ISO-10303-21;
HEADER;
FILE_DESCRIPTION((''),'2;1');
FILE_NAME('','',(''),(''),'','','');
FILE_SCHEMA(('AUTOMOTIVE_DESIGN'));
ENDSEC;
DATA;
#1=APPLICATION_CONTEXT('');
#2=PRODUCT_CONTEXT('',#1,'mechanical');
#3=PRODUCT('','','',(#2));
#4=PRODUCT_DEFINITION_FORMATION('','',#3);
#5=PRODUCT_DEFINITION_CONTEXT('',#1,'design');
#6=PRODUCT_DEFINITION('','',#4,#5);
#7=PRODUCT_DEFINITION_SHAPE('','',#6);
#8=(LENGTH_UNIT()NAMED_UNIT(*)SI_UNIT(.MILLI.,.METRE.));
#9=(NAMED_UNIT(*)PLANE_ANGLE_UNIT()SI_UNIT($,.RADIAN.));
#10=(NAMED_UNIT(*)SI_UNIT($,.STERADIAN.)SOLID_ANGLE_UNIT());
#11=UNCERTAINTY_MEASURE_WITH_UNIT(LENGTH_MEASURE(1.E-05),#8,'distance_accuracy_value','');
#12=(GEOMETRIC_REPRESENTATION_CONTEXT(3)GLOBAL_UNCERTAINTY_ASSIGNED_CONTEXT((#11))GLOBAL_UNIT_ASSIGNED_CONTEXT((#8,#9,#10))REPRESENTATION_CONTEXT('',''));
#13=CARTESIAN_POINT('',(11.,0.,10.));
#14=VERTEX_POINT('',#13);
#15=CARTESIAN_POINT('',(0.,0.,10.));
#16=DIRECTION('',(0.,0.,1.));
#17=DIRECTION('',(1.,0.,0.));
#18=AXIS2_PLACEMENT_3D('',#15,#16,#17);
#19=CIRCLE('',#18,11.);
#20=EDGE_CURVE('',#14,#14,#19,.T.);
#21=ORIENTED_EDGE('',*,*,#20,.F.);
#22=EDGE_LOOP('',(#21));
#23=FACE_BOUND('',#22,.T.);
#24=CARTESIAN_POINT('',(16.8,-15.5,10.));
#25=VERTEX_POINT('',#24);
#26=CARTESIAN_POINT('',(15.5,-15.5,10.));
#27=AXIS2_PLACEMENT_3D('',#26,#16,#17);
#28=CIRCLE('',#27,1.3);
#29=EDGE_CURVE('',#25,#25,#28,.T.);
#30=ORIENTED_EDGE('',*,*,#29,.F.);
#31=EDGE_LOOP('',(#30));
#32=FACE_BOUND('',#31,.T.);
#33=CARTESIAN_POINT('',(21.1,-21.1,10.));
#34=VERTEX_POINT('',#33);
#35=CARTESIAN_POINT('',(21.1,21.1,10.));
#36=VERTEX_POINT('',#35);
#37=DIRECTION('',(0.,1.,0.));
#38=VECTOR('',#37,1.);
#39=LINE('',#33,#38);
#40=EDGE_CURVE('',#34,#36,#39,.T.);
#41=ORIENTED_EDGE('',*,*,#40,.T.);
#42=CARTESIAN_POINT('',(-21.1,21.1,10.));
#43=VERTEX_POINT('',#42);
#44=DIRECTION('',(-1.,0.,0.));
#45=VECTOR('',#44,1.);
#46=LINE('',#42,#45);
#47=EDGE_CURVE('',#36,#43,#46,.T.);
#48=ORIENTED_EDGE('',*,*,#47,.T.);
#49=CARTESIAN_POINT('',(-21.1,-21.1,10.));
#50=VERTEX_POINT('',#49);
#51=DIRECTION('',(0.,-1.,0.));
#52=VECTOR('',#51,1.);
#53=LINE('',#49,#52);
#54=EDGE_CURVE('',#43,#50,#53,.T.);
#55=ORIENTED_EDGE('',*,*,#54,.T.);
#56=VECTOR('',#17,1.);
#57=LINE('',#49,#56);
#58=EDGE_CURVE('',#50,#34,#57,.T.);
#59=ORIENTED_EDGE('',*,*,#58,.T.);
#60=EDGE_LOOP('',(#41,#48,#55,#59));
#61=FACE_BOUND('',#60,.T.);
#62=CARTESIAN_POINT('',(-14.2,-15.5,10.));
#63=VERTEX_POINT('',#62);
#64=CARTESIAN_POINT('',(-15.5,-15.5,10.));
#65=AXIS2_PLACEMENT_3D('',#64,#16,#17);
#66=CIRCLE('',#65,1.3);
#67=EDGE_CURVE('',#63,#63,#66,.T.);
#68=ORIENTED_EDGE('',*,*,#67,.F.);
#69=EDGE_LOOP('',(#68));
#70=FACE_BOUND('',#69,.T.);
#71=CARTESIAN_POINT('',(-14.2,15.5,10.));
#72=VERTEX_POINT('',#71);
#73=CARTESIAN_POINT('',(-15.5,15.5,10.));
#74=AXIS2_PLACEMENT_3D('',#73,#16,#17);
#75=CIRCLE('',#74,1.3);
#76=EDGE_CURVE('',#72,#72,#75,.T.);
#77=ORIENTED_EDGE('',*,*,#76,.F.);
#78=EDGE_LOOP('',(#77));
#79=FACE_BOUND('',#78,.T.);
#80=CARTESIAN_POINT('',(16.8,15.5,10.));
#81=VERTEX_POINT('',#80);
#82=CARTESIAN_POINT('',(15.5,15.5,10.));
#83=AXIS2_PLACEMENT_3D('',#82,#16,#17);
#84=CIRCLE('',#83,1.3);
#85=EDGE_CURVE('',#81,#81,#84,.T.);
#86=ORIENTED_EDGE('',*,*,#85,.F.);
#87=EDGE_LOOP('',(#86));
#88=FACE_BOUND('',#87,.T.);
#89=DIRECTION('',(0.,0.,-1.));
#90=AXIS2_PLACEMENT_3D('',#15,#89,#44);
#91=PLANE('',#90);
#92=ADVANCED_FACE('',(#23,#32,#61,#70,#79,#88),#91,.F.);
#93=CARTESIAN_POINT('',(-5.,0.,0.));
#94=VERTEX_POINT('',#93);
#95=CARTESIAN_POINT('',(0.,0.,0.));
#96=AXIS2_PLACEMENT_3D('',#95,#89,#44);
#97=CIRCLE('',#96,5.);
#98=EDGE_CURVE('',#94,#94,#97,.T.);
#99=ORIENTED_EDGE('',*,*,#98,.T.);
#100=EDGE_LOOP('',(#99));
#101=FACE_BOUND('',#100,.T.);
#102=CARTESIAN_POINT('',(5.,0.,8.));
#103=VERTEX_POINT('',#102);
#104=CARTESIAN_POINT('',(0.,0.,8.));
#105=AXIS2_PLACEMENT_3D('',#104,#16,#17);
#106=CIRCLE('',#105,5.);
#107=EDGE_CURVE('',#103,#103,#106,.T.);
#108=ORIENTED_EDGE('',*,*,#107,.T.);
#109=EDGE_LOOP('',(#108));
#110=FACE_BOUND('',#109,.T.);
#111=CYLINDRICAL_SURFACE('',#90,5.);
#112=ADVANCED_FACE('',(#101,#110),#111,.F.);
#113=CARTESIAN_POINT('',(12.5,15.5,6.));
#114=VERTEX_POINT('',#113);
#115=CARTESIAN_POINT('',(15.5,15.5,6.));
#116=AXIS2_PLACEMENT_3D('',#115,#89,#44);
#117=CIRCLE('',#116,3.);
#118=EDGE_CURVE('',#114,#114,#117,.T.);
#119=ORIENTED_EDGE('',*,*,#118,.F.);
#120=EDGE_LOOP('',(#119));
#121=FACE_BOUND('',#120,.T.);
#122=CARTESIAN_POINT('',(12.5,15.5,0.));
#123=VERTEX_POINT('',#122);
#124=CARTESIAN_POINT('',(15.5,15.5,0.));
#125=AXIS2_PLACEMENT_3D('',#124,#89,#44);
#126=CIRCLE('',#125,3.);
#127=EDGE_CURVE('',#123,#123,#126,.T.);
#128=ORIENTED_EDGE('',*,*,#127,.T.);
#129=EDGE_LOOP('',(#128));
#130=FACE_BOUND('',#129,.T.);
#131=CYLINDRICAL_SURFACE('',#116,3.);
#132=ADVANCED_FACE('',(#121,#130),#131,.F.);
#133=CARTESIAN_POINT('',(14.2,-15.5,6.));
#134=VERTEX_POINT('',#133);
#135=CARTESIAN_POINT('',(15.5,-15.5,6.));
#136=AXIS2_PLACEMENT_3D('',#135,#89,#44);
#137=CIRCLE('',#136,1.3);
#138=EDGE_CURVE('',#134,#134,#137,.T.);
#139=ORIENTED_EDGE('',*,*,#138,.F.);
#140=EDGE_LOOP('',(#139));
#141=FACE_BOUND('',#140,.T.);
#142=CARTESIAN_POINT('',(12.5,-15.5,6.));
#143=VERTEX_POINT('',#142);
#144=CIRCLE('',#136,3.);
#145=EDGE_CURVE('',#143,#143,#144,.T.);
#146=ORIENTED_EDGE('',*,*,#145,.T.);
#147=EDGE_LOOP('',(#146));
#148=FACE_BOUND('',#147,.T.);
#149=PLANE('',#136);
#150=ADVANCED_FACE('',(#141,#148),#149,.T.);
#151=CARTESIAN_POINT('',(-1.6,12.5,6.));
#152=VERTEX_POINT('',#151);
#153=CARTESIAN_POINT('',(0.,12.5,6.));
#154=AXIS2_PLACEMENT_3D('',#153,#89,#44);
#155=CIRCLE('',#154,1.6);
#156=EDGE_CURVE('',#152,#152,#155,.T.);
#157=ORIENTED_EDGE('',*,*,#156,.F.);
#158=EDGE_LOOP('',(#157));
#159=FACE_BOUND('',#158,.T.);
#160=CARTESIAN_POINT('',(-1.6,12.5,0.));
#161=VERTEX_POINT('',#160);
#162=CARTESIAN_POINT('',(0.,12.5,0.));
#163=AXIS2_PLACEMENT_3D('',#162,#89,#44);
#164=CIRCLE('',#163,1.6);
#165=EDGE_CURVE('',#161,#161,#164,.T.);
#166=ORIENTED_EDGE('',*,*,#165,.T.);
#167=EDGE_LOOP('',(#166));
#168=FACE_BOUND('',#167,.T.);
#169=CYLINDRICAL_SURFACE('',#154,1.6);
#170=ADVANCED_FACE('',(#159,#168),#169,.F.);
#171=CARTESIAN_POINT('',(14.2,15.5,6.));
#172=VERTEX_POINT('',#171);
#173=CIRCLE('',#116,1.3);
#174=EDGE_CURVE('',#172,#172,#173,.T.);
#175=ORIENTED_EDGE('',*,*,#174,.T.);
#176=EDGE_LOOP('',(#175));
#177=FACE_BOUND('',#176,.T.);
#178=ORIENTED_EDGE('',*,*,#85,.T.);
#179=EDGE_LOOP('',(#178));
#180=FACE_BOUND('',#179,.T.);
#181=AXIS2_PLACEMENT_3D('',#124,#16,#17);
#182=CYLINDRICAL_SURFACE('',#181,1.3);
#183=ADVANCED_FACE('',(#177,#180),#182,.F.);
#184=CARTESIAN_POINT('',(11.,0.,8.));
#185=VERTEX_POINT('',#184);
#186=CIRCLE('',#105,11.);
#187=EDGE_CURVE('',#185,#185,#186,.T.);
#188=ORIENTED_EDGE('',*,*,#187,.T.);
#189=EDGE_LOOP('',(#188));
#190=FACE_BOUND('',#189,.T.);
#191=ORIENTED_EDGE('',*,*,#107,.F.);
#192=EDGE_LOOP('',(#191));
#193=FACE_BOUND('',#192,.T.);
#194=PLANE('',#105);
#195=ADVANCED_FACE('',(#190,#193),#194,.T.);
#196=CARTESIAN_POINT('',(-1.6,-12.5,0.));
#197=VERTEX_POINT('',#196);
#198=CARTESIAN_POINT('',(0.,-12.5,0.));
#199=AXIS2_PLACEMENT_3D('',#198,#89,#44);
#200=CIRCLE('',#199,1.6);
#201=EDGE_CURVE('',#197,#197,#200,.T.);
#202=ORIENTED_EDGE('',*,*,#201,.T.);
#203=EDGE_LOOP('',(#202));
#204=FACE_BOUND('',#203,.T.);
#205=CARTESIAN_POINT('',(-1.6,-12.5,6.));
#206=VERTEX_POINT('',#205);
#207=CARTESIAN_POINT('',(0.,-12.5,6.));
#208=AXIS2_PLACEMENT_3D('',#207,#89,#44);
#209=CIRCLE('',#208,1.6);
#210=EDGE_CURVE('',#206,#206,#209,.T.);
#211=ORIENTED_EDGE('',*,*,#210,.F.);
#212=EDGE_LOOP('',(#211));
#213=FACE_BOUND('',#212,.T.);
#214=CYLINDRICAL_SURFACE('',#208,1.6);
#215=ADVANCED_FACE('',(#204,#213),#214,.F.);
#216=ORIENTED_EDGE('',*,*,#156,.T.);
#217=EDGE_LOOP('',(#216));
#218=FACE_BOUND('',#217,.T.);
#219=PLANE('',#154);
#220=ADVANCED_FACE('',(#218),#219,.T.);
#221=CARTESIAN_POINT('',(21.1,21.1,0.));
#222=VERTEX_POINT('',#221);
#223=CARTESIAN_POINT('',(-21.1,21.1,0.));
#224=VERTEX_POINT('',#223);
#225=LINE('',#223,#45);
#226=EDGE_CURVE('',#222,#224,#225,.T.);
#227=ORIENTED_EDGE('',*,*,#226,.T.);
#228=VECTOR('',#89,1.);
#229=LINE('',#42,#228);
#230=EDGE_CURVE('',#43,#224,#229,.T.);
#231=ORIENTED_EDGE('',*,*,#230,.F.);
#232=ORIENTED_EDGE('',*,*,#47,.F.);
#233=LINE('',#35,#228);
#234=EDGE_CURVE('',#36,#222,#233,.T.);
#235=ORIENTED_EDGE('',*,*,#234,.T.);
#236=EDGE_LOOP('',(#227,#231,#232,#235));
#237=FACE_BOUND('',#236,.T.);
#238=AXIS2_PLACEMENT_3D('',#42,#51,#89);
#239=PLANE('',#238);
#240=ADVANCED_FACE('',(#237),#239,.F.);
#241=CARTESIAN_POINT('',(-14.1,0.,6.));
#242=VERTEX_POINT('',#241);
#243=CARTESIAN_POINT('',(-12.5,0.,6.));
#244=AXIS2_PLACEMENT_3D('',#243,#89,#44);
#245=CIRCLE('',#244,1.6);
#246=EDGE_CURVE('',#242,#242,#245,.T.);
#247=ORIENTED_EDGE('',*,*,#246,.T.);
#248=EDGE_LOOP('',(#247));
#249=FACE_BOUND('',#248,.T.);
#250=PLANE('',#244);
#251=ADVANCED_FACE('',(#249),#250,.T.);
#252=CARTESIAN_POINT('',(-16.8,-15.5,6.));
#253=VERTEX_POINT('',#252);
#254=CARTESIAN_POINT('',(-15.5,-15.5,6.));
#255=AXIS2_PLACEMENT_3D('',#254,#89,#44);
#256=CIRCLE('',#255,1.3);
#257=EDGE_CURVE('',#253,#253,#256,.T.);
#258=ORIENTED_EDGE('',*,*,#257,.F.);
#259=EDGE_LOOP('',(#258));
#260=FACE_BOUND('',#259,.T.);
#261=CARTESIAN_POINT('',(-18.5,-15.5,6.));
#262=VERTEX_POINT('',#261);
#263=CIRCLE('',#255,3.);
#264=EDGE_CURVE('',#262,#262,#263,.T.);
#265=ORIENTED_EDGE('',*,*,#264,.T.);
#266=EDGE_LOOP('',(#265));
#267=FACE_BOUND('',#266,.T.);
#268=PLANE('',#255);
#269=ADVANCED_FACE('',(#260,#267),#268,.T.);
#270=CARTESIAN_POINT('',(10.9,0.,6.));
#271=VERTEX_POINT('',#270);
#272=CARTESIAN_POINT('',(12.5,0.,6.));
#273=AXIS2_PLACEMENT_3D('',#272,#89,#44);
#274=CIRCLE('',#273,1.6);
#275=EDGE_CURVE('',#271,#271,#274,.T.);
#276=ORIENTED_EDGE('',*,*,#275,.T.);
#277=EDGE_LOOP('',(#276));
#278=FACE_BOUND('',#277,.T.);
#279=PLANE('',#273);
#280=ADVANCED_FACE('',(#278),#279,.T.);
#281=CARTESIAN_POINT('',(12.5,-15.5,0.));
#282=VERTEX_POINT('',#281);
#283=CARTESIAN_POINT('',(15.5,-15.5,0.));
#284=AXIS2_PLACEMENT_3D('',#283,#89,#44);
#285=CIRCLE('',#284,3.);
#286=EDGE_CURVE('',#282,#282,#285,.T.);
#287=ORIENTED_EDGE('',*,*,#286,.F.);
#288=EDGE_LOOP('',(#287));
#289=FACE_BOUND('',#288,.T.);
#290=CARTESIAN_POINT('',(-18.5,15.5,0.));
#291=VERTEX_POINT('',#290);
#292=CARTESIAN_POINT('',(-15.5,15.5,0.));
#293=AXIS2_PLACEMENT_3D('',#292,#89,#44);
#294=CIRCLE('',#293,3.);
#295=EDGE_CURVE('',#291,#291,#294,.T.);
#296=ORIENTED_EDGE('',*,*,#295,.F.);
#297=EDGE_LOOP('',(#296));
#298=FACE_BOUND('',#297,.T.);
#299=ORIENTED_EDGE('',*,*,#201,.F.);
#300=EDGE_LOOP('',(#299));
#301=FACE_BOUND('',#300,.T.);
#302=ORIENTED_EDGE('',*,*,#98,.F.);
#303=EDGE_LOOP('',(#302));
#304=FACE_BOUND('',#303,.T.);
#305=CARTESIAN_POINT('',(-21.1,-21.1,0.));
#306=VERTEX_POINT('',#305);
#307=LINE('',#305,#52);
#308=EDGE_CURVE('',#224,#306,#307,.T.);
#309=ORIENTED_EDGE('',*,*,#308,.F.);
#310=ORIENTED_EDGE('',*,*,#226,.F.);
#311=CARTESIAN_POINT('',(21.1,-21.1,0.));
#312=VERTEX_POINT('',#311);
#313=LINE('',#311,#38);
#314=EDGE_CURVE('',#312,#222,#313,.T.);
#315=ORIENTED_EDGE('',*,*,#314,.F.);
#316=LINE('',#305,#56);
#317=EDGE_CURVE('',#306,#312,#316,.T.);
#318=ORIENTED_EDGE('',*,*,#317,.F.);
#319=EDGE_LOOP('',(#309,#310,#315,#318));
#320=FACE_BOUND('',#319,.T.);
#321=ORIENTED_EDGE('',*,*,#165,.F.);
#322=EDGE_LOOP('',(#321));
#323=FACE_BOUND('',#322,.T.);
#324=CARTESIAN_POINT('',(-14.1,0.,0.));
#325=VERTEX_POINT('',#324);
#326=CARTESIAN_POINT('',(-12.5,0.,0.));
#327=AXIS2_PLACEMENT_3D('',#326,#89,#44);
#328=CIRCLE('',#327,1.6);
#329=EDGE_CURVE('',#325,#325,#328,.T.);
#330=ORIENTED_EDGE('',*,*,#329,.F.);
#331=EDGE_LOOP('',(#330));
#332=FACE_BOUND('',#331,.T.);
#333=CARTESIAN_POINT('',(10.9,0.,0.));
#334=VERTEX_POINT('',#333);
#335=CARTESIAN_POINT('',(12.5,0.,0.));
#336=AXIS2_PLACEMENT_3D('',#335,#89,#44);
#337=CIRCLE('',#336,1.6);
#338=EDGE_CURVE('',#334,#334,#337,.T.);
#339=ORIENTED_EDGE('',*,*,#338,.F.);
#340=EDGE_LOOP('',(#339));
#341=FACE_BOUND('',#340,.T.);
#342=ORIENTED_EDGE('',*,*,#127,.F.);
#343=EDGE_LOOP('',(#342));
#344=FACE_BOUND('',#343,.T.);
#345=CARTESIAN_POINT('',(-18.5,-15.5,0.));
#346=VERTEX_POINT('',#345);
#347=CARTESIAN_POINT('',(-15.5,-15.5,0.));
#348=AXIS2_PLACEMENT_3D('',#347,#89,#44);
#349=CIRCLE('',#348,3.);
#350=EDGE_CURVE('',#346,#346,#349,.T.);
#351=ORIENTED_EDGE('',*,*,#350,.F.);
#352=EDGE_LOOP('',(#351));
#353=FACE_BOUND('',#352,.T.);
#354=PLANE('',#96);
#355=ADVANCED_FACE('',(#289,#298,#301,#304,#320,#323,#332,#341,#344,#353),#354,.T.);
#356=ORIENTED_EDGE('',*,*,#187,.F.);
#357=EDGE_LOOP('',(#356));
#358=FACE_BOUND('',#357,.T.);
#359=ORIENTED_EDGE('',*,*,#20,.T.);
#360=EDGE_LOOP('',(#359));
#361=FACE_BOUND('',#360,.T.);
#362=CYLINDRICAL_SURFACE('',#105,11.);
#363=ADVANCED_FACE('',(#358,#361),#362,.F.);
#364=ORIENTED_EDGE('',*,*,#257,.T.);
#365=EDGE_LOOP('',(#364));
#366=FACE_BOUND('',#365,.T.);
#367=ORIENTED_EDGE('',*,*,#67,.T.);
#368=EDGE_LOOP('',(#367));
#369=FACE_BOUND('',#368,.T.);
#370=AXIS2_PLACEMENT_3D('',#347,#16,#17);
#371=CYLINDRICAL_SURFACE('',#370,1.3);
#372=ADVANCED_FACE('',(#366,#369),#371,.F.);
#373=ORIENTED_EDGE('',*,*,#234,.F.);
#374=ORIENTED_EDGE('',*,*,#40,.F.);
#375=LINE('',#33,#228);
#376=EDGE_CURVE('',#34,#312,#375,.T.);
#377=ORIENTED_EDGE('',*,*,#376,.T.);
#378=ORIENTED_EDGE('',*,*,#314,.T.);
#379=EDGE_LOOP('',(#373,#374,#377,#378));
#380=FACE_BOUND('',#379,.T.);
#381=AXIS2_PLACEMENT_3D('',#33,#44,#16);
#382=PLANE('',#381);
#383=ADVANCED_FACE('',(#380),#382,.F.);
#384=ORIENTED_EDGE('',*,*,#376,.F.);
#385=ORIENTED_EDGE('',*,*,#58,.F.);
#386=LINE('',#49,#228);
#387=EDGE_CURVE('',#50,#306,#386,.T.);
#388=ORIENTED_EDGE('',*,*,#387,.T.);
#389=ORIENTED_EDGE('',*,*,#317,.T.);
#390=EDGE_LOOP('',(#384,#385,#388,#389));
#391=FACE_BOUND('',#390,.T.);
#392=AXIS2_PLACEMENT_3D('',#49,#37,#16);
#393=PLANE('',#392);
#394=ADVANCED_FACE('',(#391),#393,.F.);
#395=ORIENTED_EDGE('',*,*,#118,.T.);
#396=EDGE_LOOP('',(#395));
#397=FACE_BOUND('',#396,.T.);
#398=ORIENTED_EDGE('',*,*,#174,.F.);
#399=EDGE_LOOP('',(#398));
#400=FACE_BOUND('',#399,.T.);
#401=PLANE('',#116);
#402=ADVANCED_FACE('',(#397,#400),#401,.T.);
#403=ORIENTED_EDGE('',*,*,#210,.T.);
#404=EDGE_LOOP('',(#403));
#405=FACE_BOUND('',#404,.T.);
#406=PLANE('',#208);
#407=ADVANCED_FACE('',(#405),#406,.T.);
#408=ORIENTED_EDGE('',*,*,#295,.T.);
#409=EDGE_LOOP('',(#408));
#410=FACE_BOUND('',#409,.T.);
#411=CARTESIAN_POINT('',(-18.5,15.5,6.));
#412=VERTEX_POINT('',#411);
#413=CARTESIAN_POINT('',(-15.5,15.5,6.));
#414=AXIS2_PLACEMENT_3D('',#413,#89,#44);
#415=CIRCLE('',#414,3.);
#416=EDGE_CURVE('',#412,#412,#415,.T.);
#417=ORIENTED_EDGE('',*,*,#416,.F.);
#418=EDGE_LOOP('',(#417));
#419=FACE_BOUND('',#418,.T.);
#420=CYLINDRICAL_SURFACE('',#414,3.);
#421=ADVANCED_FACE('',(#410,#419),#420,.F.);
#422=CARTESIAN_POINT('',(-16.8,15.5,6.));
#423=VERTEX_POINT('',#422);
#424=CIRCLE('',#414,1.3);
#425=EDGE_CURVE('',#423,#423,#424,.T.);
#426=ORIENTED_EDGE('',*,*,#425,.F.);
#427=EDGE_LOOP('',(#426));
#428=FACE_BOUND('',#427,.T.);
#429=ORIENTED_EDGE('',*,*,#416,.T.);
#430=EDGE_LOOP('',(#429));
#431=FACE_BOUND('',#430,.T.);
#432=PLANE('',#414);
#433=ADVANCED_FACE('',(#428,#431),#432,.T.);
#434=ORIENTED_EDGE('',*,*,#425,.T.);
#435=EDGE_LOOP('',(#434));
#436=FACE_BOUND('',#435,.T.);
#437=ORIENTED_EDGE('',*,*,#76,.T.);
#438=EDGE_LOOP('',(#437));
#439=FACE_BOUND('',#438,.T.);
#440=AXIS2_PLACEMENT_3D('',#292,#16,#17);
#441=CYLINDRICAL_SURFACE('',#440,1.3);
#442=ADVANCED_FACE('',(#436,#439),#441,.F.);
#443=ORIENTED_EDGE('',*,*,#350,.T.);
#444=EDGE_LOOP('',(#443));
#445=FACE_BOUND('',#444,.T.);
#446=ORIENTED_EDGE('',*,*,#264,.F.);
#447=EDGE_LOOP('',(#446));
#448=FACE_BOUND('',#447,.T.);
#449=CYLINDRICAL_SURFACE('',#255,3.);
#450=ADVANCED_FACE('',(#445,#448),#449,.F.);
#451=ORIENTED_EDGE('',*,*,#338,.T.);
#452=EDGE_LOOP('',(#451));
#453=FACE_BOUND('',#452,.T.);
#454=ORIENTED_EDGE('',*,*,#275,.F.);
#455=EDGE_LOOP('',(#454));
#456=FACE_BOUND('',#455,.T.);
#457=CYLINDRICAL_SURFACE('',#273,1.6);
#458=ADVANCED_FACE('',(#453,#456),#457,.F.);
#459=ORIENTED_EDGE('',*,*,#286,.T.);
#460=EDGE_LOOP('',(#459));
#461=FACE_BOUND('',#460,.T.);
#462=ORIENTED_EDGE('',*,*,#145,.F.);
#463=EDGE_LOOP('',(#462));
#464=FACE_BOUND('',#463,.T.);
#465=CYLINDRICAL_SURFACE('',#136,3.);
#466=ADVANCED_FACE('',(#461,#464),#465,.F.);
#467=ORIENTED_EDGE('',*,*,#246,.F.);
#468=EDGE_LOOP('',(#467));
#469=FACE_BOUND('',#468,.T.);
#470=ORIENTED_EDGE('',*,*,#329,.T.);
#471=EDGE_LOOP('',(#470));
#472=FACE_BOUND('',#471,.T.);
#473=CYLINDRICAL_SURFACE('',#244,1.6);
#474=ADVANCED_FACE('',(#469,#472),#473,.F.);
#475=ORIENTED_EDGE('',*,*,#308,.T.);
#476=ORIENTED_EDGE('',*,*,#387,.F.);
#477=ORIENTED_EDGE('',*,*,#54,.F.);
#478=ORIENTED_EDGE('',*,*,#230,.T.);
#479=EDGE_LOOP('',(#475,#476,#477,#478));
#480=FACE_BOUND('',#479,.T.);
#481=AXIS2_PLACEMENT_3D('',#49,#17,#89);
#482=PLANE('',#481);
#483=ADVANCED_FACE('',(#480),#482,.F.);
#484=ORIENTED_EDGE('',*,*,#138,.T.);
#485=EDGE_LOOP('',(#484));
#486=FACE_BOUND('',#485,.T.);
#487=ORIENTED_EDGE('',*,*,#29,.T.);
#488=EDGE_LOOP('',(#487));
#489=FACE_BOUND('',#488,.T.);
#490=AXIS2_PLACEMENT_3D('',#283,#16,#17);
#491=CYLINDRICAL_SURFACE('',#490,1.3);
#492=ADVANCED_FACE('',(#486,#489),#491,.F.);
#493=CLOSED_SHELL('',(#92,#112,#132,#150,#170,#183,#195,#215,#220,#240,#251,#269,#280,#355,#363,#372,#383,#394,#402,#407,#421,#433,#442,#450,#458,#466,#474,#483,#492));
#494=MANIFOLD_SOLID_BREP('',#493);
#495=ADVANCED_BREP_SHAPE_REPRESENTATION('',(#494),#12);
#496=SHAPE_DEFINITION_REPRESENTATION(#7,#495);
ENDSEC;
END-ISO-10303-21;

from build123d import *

# Parameters (mm, degrees)
SKETCH_1_W          = 42.2
SKETCH_1_H          = 42.2
EXTRUDE_1_DEPTH     = 10
SKETCH_2_R          = 1.6
SKETCH_2_R_2        = 3
CUT_EXTRUDE_1_DEPTH = 6
SKETCH_3_R          = 11
CUT_EXTRUDE_2_DEPTH = 2
SKETCH_4_R          = 5
CUT_EXTRUDE_3_DEPTH = 11
SKETCH_5_R          = 1.3
CUT_EXTRUDE_4_DEPTH = 11


with BuildPart() as part:
    # 草图1 → 凸台-拉伸1 (new body)
    with BuildSketch(Plane.XY):
        Rectangle(SKETCH_1_W, SKETCH_1_H)
    extrude(amount=EXTRUDE_1_DEPTH)

    # 草图2 → 切除-拉伸1 (cut)
    with BuildSketch(Plane(origin=(0, 0, 0), x_dir=(-1, 0, 0), z_dir=(0, 0, -1))):
        with Locations((12.5, 0)):
            Circle(SKETCH_2_R)
        with Locations((0, -12.5)):
            Circle(SKETCH_2_R)
        with Locations((-12.5, 0)):
            Circle(SKETCH_2_R)
        with Locations((0, 12.5)):
            Circle(SKETCH_2_R)
        with Locations((-15.5, 15.5)):
            Circle(SKETCH_2_R_2)
        with Locations((15.5, 15.5)):
            Circle(SKETCH_2_R_2)
        with Locations((15.5, -15.5)):
            Circle(SKETCH_2_R_2)
        with Locations((-15.5, -15.5)):
            Circle(SKETCH_2_R_2)
    extrude(amount=-CUT_EXTRUDE_1_DEPTH, mode=Mode.SUBTRACT)

    # 草图3 → 切除-拉伸2 (cut)
    with BuildSketch(Plane.XY.offset(10)):
        Circle(SKETCH_3_R)
    extrude(amount=-CUT_EXTRUDE_2_DEPTH, mode=Mode.SUBTRACT)

    # 草图4 → 切除-拉伸3 (cut, through all)
    with BuildSketch(Plane(origin=(0, 0, 0), x_dir=(-1, 0, 0), z_dir=(0, 0, -1))):
        Circle(SKETCH_4_R)
    extrude(amount=-CUT_EXTRUDE_3_DEPTH, mode=Mode.SUBTRACT)

    # 草图5 → 切除-拉伸4 (cut, through all)
    with BuildSketch(Plane.XY.offset(10)):
        with Locations((15.5, -15.5)):
            Circle(SKETCH_5_R)
        with Locations((-15.5, -15.5)):
            Circle(SKETCH_5_R)
        with Locations((-15.5, 15.5)):
            Circle(SKETCH_5_R)
        with Locations((15.5, 15.5)):
            Circle(SKETCH_5_R)
    extrude(amount=-CUT_EXTRUDE_4_DEPTH, mode=Mode.SUBTRACT)


solid = part.part
